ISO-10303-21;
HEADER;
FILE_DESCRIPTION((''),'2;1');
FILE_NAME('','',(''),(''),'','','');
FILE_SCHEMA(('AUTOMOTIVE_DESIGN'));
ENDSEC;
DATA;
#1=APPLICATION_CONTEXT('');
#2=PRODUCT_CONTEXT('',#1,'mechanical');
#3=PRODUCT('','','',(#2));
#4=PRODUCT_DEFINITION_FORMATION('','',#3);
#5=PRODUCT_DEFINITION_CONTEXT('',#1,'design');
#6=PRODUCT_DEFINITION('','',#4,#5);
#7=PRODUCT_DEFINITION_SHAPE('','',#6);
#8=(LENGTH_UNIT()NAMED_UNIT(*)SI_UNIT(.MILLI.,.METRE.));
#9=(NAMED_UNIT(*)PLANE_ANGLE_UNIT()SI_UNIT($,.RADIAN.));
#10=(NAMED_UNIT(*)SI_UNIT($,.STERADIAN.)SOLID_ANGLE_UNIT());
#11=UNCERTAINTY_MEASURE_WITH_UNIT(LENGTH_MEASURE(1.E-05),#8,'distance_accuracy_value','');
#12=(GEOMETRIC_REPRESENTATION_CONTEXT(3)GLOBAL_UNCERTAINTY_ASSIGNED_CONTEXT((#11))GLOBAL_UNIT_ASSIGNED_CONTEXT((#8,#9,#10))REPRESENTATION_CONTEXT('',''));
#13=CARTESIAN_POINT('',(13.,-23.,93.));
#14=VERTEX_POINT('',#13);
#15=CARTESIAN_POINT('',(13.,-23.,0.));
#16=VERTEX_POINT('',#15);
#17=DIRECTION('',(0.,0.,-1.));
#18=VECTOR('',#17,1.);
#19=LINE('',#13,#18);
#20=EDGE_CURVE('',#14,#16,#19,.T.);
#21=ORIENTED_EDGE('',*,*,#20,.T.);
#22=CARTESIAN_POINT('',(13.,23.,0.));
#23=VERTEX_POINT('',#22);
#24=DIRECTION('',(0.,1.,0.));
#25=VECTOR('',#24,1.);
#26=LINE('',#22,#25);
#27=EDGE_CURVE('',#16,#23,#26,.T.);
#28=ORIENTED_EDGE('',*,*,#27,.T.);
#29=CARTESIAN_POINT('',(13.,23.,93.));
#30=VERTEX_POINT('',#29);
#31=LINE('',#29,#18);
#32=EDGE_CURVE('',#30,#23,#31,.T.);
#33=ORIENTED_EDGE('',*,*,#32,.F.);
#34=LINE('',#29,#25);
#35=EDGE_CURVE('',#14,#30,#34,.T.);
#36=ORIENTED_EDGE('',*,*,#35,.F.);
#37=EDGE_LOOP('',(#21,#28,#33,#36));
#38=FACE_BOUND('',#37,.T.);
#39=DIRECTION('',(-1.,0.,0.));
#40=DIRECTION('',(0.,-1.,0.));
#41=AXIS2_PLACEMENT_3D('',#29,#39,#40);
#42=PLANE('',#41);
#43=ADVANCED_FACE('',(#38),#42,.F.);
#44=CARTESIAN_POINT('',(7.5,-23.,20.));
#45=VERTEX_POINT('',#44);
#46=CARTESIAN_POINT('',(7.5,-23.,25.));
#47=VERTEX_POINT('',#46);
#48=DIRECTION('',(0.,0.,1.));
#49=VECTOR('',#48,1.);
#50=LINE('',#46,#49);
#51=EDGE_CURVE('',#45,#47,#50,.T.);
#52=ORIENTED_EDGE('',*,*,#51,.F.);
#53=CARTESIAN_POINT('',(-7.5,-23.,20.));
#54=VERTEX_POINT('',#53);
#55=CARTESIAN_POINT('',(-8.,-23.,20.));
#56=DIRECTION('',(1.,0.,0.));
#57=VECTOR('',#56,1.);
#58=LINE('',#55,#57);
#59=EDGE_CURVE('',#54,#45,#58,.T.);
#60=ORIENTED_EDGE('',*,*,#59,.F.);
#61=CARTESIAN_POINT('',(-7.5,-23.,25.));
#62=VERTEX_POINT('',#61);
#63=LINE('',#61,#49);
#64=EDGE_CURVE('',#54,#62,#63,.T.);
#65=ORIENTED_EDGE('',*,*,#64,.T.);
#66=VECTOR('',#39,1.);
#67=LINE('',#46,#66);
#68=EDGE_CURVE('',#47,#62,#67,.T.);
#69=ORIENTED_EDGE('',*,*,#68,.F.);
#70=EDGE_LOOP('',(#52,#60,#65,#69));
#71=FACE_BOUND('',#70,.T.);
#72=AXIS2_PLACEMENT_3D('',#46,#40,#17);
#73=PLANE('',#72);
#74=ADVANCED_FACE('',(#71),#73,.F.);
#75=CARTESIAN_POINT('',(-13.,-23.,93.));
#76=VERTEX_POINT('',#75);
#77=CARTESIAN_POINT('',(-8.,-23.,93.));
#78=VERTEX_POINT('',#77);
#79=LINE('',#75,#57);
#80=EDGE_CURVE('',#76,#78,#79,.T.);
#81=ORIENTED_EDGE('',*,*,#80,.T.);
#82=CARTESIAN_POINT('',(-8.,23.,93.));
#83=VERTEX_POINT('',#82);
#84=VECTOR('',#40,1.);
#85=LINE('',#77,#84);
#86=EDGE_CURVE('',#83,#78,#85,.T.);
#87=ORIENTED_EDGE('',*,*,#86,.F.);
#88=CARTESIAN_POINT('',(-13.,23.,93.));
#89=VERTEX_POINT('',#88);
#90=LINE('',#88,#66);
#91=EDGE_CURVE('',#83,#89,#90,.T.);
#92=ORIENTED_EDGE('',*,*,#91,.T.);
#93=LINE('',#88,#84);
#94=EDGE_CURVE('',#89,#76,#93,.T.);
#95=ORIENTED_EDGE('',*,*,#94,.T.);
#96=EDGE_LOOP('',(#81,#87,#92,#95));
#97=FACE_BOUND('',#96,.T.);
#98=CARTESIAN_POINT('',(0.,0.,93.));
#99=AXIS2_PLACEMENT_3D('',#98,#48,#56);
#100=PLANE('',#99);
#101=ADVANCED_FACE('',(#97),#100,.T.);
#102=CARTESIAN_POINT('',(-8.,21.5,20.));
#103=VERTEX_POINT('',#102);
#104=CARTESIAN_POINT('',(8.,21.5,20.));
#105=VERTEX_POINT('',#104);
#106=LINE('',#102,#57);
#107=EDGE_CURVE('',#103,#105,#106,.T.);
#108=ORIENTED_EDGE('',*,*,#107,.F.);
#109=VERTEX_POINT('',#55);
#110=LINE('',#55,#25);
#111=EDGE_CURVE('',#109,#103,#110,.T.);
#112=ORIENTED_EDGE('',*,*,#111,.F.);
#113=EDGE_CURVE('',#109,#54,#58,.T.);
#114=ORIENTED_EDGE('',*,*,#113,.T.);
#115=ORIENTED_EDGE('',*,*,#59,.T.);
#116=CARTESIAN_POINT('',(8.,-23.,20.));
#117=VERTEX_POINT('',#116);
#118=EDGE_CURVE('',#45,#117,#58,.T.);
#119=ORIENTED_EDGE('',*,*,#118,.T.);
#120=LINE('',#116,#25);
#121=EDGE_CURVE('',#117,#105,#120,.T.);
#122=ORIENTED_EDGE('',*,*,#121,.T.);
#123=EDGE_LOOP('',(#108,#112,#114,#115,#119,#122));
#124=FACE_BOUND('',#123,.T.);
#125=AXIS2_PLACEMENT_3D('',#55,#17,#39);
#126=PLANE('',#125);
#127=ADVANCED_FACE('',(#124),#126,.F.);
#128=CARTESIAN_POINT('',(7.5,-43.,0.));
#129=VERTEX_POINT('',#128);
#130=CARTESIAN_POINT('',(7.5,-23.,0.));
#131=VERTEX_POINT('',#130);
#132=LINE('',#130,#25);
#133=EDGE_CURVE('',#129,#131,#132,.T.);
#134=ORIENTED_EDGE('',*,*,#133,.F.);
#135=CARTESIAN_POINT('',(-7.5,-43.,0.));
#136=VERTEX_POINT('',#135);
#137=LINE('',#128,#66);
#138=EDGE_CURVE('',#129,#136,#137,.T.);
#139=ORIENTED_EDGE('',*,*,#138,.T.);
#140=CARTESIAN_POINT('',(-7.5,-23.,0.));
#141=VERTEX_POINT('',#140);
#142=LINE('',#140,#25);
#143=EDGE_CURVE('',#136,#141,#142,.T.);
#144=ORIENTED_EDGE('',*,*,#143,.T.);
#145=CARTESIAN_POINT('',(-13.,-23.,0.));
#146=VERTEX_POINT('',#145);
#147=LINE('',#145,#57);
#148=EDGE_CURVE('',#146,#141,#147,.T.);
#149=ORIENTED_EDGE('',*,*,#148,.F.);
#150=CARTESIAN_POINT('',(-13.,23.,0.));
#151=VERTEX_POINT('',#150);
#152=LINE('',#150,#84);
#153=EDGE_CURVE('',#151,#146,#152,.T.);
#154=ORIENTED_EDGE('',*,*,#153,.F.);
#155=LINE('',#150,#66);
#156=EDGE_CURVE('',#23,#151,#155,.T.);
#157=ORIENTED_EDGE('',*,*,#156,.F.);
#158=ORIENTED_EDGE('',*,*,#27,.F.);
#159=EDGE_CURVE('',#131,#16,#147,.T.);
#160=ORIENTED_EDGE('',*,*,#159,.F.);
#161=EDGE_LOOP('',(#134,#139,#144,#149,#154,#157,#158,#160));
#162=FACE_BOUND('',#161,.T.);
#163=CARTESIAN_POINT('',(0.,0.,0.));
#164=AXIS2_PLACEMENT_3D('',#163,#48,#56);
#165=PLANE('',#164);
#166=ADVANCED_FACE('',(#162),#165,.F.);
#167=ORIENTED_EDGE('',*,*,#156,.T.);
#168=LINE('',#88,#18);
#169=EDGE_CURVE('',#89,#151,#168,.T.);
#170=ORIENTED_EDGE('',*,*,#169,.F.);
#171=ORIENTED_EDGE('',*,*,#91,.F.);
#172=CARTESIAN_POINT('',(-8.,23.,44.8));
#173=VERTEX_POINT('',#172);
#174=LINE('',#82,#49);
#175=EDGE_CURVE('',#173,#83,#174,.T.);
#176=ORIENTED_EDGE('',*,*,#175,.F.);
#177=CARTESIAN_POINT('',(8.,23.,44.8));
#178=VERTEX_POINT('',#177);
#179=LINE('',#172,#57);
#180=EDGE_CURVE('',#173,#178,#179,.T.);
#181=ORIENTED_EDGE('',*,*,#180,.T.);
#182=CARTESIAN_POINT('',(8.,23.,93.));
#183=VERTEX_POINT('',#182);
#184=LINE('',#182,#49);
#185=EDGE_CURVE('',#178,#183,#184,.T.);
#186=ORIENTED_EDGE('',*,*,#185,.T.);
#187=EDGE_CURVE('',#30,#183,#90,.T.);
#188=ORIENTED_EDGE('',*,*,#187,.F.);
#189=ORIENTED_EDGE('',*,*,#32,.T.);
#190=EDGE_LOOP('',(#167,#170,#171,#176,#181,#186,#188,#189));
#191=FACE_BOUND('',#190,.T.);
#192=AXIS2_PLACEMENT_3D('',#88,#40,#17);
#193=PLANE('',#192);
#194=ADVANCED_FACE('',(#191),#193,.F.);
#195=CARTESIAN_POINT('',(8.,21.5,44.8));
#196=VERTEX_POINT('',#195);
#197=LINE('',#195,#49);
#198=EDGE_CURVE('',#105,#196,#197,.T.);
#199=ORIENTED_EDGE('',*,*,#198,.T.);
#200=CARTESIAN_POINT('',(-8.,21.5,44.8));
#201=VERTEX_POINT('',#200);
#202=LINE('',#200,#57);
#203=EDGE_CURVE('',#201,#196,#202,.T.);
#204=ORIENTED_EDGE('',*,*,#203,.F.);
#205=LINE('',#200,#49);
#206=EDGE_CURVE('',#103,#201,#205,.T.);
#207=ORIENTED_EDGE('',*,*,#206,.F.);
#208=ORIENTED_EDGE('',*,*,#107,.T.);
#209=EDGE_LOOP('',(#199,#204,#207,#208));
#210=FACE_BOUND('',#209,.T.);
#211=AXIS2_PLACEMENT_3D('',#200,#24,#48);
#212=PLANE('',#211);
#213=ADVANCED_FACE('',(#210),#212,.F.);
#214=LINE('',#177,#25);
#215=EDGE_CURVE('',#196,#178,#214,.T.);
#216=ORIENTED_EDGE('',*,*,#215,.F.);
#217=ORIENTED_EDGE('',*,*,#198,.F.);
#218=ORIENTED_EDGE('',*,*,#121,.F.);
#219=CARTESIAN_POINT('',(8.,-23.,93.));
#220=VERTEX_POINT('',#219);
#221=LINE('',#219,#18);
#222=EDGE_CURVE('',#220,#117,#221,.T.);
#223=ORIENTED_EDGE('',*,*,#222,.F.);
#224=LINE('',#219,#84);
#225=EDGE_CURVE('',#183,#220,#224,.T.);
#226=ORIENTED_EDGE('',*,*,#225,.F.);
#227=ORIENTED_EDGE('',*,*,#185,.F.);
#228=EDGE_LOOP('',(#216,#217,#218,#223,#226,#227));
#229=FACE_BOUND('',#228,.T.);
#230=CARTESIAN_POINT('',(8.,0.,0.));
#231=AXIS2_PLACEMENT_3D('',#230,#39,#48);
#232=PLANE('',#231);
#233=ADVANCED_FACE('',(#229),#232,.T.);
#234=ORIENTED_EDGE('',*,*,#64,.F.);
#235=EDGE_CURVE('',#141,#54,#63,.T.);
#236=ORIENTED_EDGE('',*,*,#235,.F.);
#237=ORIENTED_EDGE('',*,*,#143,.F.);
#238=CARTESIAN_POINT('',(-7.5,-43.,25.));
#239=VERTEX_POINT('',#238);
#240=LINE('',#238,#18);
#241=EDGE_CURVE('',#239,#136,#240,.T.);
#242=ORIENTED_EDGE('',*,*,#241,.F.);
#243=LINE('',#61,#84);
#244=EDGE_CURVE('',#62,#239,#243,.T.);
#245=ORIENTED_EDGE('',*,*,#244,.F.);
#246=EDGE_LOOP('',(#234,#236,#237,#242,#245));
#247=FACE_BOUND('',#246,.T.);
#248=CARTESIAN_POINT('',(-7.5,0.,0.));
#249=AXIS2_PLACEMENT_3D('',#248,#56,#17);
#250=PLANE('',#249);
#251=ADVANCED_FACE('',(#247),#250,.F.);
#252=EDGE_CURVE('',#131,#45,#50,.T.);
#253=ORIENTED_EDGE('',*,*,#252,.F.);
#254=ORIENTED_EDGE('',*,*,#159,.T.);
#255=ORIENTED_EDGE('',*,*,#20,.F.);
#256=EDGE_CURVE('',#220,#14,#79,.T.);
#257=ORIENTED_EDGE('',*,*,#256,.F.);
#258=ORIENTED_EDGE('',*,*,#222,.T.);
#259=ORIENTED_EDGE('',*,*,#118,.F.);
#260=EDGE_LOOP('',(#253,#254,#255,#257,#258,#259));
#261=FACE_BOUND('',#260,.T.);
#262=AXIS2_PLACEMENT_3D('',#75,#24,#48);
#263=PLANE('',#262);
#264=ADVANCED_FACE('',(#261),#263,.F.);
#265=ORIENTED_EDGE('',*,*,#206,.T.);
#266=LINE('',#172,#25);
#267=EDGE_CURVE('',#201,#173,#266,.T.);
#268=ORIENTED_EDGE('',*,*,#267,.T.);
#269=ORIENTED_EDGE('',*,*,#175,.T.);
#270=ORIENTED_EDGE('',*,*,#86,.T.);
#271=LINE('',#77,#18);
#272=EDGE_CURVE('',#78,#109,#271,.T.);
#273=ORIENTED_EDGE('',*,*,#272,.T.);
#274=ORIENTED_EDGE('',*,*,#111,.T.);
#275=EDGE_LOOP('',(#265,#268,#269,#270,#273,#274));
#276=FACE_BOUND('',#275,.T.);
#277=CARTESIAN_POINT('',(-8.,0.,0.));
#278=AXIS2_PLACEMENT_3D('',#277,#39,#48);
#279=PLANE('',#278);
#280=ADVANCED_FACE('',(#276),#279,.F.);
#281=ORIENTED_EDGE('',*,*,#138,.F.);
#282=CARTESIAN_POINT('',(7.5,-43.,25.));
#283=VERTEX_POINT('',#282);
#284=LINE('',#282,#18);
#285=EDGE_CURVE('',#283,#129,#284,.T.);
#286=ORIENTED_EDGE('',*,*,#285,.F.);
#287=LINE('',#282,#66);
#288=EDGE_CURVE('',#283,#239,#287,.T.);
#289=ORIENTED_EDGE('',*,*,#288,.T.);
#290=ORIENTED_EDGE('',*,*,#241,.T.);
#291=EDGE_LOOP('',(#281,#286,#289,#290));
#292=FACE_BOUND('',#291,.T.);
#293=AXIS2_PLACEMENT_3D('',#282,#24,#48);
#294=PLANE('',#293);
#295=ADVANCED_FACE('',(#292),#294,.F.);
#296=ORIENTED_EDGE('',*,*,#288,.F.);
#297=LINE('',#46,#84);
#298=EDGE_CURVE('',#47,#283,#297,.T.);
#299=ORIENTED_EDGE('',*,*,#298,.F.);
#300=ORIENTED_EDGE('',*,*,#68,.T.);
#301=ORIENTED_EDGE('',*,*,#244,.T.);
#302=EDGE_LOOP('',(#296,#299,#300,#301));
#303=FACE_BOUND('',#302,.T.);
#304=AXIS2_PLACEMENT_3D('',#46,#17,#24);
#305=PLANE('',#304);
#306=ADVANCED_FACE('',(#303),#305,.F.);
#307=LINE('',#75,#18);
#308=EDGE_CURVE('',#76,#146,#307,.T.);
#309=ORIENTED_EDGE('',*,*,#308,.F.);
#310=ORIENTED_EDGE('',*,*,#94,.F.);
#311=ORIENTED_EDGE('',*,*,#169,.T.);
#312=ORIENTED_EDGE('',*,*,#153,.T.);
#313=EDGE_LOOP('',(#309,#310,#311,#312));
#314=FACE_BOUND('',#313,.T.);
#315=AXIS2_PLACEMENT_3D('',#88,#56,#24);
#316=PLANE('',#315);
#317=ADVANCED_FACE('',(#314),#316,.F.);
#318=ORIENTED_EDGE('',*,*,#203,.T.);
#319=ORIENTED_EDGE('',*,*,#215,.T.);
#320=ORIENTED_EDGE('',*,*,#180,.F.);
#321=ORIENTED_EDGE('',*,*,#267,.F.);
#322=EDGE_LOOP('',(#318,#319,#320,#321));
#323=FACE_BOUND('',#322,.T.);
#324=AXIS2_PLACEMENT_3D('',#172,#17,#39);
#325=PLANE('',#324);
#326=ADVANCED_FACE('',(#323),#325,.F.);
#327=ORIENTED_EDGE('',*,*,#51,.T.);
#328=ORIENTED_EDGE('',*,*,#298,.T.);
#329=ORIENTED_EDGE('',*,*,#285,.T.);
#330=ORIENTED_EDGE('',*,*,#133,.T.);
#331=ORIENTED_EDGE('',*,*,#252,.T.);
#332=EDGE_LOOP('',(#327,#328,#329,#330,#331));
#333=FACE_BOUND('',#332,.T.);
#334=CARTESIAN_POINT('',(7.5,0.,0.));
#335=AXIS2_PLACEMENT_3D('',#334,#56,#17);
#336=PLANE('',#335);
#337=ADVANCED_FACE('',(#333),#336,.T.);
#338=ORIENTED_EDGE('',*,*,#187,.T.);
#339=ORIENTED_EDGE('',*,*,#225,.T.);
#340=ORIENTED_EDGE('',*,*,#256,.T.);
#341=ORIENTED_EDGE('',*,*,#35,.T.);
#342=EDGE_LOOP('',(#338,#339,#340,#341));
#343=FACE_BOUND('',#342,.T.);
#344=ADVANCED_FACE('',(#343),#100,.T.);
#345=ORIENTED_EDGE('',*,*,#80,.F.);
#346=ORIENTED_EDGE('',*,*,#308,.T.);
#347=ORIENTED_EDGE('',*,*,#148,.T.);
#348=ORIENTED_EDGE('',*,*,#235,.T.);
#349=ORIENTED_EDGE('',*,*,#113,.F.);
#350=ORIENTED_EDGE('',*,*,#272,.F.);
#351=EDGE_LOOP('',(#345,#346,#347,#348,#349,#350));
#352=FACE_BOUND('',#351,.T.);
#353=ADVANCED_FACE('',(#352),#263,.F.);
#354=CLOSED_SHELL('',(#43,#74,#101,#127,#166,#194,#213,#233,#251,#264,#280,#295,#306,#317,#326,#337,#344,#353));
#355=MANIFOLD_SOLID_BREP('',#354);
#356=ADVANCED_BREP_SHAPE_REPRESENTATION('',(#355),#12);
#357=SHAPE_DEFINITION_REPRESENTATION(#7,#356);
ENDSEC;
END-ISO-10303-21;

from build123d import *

# Parameters (mm, degrees)
SKETCH_2_W          = 26
SKETCH_2_H          = 46
EXTRUDE_1_DEPTH     = 93
CUT_EXTRUDE_1_DEPTH = 8
SKETCH_7_W          = 25
SKETCH_7_H          = 20
EXTRUDE_2_DEPTH     = 7.5


with BuildPart() as part:
    # 스케치2 → 보스-돌출1 (new body)
    with BuildSketch(Plane.XY):
        Rectangle(SKETCH_2_W, SKETCH_2_H)
    extrude(amount=EXTRUDE_1_DEPTH)

    # 스케치3 → 컷-돌출1 (cut, symmetric)
    with BuildSketch(Plane(origin=(0, 0, 0), x_dir=(0, 0, -1), z_dir=(1, 0, 0))):
        Polygon((-93, -23), (-20, -23), (-20, 21.5), (-44.8, 21.5), (-44.8, 23), (-93, 23), align=None)
    extrude(amount=CUT_EXTRUDE_1_DEPTH, both=True, mode=Mode.SUBTRACT)

    # 스케치7 → 보스-돌출2 (add, symmetric)
    with BuildSketch(Plane(origin=(0, 0, 0), x_dir=(0, 0, -1), z_dir=(1, 0, 0))):
        with Locations((-12.5, -33)):
            Rectangle(SKETCH_7_W, SKETCH_7_H)
    extrude(amount=EXTRUDE_2_DEPTH, both=True)


solid = part.part
